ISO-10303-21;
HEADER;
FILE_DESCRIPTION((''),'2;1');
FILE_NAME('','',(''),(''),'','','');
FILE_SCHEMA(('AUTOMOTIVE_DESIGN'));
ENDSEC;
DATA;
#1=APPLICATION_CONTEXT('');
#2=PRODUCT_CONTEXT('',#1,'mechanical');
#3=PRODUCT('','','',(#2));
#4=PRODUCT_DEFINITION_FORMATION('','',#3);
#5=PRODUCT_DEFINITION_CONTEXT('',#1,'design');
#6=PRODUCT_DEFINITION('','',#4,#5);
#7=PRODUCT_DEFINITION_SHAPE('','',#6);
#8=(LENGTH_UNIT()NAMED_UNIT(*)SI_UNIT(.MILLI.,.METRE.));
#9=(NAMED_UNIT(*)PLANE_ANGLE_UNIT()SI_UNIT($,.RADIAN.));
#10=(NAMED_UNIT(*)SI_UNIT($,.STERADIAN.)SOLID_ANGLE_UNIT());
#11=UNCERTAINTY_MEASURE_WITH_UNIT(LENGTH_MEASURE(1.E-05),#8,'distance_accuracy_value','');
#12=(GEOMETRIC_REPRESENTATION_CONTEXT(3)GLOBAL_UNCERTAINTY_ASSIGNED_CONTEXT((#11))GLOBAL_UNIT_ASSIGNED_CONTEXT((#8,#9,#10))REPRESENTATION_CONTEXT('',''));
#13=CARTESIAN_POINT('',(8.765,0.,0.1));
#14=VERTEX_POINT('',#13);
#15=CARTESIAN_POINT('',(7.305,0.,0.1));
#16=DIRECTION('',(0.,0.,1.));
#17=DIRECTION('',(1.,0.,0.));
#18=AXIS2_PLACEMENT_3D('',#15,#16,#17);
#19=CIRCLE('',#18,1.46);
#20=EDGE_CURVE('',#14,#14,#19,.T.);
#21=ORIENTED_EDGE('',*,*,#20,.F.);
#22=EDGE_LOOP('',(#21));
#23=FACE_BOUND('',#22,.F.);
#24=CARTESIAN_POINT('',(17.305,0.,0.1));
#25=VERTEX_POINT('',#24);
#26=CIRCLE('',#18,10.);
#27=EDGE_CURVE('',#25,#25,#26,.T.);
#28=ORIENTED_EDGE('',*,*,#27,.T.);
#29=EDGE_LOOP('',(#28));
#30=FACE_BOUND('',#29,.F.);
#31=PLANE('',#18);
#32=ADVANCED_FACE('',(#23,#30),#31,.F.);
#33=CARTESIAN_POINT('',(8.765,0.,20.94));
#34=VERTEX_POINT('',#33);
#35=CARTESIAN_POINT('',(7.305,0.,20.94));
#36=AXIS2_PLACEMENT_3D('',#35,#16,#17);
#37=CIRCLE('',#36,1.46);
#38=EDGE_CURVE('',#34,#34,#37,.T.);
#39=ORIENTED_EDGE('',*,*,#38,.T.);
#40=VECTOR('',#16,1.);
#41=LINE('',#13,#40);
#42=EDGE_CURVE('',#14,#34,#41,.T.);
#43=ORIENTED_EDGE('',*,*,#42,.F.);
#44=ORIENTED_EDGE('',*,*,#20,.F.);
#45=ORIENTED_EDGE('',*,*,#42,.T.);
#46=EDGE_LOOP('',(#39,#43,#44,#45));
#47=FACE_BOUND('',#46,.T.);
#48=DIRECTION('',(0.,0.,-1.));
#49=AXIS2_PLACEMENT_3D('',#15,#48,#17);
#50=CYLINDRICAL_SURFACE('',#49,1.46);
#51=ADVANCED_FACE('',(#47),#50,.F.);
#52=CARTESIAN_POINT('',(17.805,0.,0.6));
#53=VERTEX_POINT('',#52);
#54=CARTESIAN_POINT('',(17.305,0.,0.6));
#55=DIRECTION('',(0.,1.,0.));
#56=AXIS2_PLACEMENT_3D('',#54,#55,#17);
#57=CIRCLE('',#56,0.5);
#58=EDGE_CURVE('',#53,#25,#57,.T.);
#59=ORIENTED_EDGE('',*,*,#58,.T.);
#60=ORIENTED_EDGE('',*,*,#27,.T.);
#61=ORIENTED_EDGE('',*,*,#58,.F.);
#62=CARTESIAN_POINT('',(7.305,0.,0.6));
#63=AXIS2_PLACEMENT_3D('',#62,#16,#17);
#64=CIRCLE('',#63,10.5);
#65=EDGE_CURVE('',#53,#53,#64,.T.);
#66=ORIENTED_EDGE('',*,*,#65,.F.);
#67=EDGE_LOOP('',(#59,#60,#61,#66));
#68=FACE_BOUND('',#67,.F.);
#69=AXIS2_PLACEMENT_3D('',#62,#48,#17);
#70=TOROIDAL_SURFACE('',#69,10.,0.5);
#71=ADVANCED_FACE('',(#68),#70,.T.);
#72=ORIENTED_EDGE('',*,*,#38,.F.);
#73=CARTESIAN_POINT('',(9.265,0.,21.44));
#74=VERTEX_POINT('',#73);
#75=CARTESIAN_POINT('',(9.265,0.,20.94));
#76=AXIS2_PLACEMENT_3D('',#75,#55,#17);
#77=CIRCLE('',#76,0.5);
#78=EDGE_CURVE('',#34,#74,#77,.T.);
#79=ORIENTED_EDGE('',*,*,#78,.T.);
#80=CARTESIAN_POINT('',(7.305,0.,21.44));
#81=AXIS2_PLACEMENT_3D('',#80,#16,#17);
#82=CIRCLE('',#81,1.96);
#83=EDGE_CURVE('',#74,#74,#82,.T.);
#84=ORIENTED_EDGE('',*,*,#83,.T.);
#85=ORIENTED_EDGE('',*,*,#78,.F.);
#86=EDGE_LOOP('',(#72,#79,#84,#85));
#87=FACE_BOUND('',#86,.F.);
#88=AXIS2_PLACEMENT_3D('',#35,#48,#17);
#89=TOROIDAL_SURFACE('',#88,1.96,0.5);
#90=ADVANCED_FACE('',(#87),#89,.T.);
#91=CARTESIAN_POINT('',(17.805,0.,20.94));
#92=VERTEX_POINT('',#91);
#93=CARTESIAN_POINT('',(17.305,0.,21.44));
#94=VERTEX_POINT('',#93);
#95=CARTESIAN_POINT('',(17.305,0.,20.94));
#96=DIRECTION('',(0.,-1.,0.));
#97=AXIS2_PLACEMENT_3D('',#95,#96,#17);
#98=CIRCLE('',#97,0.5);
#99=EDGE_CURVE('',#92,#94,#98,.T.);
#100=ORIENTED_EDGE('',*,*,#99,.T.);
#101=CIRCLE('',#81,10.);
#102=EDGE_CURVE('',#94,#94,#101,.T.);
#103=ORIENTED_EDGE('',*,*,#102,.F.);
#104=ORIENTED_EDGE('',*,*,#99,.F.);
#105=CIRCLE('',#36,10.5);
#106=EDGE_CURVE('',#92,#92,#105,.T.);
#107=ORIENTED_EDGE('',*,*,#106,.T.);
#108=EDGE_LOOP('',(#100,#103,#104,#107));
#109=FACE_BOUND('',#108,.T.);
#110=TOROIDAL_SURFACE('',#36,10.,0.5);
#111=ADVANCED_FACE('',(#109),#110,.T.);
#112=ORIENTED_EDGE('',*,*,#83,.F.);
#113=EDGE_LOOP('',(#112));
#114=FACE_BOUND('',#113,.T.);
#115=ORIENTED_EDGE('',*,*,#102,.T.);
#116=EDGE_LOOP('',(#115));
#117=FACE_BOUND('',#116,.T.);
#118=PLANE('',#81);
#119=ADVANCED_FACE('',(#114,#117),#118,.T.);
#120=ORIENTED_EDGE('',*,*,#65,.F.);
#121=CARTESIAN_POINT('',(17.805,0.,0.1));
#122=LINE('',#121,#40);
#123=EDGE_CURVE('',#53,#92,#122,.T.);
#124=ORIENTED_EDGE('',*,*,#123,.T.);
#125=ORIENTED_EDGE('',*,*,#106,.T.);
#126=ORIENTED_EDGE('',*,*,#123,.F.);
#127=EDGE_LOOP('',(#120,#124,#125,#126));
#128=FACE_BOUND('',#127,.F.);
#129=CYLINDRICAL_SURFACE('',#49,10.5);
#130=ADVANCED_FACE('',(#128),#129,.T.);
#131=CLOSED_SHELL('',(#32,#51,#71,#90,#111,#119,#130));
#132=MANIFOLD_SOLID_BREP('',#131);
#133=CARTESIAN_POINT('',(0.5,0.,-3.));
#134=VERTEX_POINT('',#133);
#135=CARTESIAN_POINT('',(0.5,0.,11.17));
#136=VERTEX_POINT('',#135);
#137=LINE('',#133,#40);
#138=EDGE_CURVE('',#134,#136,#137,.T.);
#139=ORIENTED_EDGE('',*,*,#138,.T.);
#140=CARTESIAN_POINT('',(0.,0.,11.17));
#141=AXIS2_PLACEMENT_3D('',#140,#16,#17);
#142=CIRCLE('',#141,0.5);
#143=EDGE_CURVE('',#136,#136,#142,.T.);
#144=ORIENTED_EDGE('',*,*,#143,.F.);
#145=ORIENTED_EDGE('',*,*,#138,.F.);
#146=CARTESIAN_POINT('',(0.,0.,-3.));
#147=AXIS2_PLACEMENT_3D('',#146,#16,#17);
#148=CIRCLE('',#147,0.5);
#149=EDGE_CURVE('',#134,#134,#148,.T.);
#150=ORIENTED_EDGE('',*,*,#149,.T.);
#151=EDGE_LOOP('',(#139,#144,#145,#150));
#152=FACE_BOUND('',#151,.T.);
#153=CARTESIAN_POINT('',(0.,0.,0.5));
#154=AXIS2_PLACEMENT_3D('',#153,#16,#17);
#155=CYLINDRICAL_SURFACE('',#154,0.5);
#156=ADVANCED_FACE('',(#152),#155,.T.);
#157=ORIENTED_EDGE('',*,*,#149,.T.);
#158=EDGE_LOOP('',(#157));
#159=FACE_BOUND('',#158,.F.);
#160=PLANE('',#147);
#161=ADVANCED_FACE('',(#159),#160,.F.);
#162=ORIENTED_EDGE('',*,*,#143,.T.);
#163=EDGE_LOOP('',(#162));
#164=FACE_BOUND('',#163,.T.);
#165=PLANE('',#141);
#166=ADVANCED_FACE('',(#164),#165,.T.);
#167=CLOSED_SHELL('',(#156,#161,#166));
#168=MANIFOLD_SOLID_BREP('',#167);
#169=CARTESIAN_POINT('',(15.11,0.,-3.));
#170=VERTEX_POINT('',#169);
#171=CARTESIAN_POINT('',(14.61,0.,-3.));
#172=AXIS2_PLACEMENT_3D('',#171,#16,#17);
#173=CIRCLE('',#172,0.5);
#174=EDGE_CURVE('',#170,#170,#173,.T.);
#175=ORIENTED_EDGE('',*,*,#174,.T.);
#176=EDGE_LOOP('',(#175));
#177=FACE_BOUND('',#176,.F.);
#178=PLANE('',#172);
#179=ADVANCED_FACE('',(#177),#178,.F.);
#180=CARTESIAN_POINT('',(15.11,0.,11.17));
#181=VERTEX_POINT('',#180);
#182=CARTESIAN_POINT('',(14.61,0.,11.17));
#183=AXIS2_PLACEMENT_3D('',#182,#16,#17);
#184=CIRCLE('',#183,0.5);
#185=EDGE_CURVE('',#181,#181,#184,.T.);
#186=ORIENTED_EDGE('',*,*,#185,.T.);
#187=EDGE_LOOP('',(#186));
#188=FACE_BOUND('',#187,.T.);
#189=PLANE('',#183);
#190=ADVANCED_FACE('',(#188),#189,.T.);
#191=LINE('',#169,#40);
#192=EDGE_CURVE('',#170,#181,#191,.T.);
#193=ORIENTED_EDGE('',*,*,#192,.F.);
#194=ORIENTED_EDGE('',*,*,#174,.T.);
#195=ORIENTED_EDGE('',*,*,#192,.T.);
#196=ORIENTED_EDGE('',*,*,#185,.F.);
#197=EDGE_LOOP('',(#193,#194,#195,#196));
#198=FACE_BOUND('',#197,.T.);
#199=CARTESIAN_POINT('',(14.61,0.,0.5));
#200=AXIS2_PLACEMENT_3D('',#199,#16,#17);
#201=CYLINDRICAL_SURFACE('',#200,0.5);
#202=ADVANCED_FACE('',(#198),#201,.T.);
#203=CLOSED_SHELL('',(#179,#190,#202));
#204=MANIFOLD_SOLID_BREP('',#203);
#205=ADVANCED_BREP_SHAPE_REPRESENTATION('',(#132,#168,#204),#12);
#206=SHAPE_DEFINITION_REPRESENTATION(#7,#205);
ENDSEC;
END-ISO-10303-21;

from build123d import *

# Parameters (mm, degrees)
SKETCH001_R       = 0.5
PAD001_DEPTH      = 10.67
PAD001_DEPTH_BACK = 3.5
SKETCH_R          = 10.5
SKETCH_R_2        = 1.46
PAD_DEPTH         = 21.34
FILLET_R          = 0.5


with BuildPart() as pad001:
    # Sketch001 → Pad001 (new body, two sides)
    with BuildSketch(Plane.XY.offset(0.5)) as pad001_sk:
        Circle(SKETCH001_R)
        with Locations((14.61, 0)):
            Circle(SKETCH001_R)
    extrude(amount=PAD001_DEPTH)
    extrude(pad001_sk.sketch, amount=-PAD001_DEPTH_BACK)


with BuildPart() as fillet_body:
    # Sketch → Pad (new body)
    with BuildSketch(Plane.XY.offset(0.1)):
        with Locations((7.305, 0)):
            Circle(SKETCH_R)
        with Locations((7.305, 0)):
            Circle(SKETCH_R_2, mode=Mode.SUBTRACT)
    extrude(amount=PAD_DEPTH)

    # Fillet
    fillet_edges = [fillet_body.edges().sort_by_distance(p)[0] for p in [
        (5.845, 0, 21.44),
        (-3.195, 0, 21.44),
        (-3.195, 0, 0.1),
    ]]
    fillet(fillet_edges, radius=FILLET_R)


solid = Compound([pad001.part, fillet_body.part])
